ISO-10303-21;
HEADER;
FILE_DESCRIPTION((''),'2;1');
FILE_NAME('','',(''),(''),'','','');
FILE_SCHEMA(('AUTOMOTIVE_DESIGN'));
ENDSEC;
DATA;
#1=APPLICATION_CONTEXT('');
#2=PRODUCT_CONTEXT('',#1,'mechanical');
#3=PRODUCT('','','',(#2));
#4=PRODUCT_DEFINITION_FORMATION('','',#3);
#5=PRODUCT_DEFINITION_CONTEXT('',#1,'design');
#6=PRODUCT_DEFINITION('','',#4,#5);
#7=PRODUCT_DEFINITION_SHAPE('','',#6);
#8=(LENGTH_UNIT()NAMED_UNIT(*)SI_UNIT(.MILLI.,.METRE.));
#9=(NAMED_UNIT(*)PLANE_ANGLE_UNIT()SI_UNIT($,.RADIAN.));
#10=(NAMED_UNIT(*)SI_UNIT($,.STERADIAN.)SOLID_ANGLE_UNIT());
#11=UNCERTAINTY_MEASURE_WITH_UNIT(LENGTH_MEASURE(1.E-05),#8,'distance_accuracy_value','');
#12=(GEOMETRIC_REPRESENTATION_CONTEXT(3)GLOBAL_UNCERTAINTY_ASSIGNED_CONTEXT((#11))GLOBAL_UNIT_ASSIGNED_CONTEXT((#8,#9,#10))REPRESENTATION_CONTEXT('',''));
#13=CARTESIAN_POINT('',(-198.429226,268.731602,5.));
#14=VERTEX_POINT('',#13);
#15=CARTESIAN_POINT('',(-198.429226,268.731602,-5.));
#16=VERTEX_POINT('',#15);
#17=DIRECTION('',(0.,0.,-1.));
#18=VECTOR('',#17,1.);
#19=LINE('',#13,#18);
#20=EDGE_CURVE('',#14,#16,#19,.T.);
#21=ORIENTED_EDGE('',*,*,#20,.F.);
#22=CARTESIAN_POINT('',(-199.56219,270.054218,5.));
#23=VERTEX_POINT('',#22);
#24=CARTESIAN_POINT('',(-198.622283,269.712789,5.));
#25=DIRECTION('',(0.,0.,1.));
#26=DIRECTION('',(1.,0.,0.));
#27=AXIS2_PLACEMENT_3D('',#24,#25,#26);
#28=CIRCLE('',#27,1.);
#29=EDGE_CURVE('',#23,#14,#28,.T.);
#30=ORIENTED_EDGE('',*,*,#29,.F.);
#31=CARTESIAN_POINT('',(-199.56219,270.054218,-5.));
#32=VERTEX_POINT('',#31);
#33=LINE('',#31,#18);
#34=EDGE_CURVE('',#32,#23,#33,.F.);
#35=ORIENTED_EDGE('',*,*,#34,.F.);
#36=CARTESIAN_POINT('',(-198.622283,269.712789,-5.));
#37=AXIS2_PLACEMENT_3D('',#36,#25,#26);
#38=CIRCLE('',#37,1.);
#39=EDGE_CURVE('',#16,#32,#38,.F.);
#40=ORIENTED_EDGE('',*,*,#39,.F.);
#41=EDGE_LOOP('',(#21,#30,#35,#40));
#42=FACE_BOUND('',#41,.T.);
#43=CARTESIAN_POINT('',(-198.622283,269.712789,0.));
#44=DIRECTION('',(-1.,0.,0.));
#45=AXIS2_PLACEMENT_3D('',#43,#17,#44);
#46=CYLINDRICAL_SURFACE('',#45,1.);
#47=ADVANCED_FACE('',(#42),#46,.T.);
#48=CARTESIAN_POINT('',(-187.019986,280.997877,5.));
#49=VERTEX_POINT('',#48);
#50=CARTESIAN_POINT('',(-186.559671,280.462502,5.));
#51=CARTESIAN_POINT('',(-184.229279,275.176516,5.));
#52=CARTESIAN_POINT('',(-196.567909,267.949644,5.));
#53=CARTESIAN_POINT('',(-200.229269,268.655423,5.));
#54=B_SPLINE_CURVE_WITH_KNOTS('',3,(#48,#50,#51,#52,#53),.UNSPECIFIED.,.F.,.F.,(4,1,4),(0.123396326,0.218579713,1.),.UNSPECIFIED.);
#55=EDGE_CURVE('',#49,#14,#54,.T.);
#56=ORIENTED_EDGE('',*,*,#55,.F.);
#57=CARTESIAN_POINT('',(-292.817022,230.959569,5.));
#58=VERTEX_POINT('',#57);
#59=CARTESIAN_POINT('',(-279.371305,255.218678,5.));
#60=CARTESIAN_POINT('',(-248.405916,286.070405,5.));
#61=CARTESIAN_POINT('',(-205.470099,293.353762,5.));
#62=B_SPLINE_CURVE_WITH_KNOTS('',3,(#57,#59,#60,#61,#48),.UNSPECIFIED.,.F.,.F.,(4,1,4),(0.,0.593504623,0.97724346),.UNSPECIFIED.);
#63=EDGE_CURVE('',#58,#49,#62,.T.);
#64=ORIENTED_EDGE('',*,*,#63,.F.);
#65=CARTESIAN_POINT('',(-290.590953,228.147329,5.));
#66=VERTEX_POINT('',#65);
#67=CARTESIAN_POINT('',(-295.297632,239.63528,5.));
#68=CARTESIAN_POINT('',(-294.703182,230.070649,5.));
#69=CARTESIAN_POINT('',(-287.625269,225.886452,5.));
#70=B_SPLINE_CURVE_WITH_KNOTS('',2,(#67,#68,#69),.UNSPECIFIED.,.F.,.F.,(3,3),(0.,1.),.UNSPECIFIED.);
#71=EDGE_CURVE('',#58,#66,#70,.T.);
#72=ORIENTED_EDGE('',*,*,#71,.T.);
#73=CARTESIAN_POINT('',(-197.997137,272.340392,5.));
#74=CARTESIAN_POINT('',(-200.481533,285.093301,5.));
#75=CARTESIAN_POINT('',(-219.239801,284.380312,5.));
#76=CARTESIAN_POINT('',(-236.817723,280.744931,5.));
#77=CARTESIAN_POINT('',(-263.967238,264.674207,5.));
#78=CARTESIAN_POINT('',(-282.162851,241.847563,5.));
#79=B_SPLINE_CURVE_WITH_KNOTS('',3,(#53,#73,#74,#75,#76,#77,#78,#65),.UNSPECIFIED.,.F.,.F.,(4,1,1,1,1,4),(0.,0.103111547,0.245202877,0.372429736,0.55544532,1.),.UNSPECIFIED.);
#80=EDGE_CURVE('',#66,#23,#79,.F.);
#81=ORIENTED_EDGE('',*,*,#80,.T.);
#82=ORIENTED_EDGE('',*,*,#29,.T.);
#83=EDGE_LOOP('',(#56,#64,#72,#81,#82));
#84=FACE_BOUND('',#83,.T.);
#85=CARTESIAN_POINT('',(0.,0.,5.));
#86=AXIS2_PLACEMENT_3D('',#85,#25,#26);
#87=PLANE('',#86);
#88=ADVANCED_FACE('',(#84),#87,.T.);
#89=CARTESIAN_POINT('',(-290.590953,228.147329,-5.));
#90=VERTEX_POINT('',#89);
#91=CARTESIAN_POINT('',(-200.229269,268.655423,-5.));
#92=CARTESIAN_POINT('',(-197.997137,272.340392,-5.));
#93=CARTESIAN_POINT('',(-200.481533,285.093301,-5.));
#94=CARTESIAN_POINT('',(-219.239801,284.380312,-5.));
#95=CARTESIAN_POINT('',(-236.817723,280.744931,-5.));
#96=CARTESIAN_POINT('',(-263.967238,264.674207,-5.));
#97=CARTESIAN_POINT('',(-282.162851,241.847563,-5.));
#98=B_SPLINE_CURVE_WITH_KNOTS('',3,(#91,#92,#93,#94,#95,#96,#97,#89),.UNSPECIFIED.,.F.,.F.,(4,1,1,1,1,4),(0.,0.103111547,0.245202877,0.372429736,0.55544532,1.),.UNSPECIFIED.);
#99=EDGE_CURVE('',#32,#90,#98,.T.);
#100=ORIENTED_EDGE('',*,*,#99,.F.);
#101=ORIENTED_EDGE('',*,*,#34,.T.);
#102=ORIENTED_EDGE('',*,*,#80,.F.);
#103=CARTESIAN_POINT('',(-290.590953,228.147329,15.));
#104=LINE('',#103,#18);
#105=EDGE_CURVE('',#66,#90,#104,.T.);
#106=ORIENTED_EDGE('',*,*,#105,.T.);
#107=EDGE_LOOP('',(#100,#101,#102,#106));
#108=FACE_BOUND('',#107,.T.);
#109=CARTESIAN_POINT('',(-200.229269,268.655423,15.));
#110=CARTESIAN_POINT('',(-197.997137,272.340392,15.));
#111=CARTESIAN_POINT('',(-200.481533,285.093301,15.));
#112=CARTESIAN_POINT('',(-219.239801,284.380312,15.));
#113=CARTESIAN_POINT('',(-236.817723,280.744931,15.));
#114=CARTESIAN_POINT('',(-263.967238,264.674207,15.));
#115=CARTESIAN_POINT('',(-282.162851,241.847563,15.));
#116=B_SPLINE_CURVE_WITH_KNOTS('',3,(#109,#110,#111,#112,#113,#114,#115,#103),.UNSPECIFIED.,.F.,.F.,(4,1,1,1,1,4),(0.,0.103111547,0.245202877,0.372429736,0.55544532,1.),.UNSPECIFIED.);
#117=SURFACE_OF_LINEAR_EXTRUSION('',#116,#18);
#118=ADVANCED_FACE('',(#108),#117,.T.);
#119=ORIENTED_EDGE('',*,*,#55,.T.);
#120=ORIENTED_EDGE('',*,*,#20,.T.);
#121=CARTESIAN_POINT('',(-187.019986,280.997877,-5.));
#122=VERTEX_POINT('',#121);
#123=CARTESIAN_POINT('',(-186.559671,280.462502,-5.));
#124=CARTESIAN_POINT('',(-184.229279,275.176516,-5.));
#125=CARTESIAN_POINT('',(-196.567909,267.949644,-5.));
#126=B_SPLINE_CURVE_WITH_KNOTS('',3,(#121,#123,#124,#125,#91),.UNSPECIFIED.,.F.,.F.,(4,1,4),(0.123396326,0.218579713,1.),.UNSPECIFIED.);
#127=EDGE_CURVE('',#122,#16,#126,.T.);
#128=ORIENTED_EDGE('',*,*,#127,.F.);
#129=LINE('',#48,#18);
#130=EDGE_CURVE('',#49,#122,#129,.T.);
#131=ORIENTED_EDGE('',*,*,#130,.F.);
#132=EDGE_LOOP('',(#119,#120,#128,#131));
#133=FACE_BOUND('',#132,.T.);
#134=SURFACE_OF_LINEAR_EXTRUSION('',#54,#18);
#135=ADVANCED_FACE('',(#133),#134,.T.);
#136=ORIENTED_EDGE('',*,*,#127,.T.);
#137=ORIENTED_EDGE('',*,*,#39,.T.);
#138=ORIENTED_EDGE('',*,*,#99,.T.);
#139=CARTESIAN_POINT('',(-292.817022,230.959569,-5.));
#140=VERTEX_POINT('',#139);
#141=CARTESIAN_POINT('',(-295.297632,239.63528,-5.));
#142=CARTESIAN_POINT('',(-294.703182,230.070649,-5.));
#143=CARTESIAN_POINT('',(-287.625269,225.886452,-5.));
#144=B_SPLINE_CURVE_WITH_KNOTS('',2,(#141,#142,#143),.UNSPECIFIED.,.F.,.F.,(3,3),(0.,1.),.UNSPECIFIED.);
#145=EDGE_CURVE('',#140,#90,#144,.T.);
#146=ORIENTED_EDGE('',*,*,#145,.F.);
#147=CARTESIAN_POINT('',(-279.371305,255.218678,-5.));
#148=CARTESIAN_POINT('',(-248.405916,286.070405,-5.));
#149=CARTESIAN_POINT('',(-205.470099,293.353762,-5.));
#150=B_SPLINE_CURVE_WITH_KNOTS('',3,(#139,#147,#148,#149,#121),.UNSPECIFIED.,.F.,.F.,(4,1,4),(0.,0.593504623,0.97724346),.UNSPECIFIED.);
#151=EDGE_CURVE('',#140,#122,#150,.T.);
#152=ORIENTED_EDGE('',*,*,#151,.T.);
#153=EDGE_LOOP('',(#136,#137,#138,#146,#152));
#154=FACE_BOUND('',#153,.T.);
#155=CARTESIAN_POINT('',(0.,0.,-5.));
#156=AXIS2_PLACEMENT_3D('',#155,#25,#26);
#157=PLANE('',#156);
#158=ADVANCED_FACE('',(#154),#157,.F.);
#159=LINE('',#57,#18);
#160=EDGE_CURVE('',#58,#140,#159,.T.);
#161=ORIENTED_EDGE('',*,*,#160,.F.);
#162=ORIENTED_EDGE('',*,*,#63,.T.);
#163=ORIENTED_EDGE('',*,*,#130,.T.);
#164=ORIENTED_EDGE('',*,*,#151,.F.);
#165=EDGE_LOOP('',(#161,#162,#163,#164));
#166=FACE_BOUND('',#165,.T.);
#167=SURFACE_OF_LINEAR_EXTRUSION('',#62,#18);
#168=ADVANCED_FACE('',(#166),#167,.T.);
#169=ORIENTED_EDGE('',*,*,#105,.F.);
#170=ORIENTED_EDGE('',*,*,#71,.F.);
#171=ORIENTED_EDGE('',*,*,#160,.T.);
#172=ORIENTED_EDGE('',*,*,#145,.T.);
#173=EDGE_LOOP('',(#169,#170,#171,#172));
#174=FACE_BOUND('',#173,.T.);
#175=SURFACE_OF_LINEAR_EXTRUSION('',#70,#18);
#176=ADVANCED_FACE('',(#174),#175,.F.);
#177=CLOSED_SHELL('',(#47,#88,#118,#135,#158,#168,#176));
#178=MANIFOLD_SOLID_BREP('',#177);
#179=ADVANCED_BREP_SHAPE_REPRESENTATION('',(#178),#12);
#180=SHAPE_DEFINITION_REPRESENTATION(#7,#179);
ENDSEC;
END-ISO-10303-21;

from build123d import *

# Parameters (mm, degrees)
BOSS_EXTRUDE2_DEPTH     = 5
CUT_EXTRUDE1_DEPTH      = 10
CUT_EXTRUDE1_DEPTH_BACK = 10
FILLET1_R               = 1


with BuildPart() as part:
    # Sketch1 → Boss-Extrude2 (new, symmetric)
    with BuildSketch(Plane.XY):
        with BuildLine():
            add(Edge.make_bspline(
                [(-287.625269042, 225.8864515), (-270.189162674, 244.30260865), (-250.405500955, 277.878469404), (-205.45891028, 282.750306441), (-200.229269232, 268.655423214)],
                knots=[0, 0, 0, 0, 0.680162275, 1, 1, 1, 1], degree=3))
            add(Edge.make_bspline(
                [(-200.229269232, 268.655423214), (-196.567908783, 267.949644162), (-184.229279467, 275.176515906), (-186.559670758, 280.462502314), (-187.019986372, 280.997877447)],
                knots=[0.780421407, 0.780421407, 0.780421407, 0.780421407, 1.561841694, 1.657025081, 1.657025081, 1.657025081, 1.657025081], degree=3))
            add(Edge.make_bspline(
                [(-292.817022104, 230.95956863), (-279.371305125, 255.218678458), (-248.405916062, 286.070404634), (-205.470098812, 293.353762035), (-187.019986372, 280.997877447)],
                knots=[0, 0, 0, 0, 0.593504623, 0.97724346, 0.97724346, 0.97724346, 0.97724346], degree=3))
            add(Edge.make_bspline(
                [(-292.817022104, 230.95956863), (-290.926247708, 227.837866768), (-287.625269042, 225.8864515)],
                knots=[0.533622587, 0.533622587, 0.533622587, 1, 1, 1], degree=2))
        make_face()
    extrude(amount=BOSS_EXTRUDE2_DEPTH, both=True)

    # Sketch2 → Cut-Extrude1 (cut, two sides: drawn at the far end of the back side and taken through both)
    with BuildSketch(Plane.XY.offset(5).offset(-CUT_EXTRUDE1_DEPTH_BACK)):
        with BuildLine():
            add(Edge.make_bspline(
                [(-290.590953302, 228.147328954), (-282.162851045, 241.84756263), (-263.967238021, 264.674207252), (-236.817722683, 280.744930994), (-219.239801341, 284.380312268), (-200.481533448, 285.093301358), (-197.997136713, 272.340391732), (-200.229269232, 268.655423214)],
                knots=[0, 0, 0, 0, 0.44455468, 0.627570264, 0.754797123, 0.896888453, 1, 1, 1, 1], degree=3))
            add(Edge.make_bspline(
                [(-200.229269232, 268.655423214), (-170.510432211, 254.072904929), (-317.665595473, 183.556494313), (-290.590953302, 228.147328954)],
                knots=[0, 0, 0, 0, 1, 1, 1, 1], degree=3))
        make_face()
    extrude(amount=CUT_EXTRUDE1_DEPTH + CUT_EXTRUDE1_DEPTH_BACK, mode=Mode.SUBTRACT)

    # Fillet1
    fillet1_edges = [part.edges().sort_by_distance(p)[0] for p in [
        (-200.229269232, 268.655423214, 2.5),
    ]]
    fillet(fillet1_edges, radius=FILLET1_R)


solid = part.part
